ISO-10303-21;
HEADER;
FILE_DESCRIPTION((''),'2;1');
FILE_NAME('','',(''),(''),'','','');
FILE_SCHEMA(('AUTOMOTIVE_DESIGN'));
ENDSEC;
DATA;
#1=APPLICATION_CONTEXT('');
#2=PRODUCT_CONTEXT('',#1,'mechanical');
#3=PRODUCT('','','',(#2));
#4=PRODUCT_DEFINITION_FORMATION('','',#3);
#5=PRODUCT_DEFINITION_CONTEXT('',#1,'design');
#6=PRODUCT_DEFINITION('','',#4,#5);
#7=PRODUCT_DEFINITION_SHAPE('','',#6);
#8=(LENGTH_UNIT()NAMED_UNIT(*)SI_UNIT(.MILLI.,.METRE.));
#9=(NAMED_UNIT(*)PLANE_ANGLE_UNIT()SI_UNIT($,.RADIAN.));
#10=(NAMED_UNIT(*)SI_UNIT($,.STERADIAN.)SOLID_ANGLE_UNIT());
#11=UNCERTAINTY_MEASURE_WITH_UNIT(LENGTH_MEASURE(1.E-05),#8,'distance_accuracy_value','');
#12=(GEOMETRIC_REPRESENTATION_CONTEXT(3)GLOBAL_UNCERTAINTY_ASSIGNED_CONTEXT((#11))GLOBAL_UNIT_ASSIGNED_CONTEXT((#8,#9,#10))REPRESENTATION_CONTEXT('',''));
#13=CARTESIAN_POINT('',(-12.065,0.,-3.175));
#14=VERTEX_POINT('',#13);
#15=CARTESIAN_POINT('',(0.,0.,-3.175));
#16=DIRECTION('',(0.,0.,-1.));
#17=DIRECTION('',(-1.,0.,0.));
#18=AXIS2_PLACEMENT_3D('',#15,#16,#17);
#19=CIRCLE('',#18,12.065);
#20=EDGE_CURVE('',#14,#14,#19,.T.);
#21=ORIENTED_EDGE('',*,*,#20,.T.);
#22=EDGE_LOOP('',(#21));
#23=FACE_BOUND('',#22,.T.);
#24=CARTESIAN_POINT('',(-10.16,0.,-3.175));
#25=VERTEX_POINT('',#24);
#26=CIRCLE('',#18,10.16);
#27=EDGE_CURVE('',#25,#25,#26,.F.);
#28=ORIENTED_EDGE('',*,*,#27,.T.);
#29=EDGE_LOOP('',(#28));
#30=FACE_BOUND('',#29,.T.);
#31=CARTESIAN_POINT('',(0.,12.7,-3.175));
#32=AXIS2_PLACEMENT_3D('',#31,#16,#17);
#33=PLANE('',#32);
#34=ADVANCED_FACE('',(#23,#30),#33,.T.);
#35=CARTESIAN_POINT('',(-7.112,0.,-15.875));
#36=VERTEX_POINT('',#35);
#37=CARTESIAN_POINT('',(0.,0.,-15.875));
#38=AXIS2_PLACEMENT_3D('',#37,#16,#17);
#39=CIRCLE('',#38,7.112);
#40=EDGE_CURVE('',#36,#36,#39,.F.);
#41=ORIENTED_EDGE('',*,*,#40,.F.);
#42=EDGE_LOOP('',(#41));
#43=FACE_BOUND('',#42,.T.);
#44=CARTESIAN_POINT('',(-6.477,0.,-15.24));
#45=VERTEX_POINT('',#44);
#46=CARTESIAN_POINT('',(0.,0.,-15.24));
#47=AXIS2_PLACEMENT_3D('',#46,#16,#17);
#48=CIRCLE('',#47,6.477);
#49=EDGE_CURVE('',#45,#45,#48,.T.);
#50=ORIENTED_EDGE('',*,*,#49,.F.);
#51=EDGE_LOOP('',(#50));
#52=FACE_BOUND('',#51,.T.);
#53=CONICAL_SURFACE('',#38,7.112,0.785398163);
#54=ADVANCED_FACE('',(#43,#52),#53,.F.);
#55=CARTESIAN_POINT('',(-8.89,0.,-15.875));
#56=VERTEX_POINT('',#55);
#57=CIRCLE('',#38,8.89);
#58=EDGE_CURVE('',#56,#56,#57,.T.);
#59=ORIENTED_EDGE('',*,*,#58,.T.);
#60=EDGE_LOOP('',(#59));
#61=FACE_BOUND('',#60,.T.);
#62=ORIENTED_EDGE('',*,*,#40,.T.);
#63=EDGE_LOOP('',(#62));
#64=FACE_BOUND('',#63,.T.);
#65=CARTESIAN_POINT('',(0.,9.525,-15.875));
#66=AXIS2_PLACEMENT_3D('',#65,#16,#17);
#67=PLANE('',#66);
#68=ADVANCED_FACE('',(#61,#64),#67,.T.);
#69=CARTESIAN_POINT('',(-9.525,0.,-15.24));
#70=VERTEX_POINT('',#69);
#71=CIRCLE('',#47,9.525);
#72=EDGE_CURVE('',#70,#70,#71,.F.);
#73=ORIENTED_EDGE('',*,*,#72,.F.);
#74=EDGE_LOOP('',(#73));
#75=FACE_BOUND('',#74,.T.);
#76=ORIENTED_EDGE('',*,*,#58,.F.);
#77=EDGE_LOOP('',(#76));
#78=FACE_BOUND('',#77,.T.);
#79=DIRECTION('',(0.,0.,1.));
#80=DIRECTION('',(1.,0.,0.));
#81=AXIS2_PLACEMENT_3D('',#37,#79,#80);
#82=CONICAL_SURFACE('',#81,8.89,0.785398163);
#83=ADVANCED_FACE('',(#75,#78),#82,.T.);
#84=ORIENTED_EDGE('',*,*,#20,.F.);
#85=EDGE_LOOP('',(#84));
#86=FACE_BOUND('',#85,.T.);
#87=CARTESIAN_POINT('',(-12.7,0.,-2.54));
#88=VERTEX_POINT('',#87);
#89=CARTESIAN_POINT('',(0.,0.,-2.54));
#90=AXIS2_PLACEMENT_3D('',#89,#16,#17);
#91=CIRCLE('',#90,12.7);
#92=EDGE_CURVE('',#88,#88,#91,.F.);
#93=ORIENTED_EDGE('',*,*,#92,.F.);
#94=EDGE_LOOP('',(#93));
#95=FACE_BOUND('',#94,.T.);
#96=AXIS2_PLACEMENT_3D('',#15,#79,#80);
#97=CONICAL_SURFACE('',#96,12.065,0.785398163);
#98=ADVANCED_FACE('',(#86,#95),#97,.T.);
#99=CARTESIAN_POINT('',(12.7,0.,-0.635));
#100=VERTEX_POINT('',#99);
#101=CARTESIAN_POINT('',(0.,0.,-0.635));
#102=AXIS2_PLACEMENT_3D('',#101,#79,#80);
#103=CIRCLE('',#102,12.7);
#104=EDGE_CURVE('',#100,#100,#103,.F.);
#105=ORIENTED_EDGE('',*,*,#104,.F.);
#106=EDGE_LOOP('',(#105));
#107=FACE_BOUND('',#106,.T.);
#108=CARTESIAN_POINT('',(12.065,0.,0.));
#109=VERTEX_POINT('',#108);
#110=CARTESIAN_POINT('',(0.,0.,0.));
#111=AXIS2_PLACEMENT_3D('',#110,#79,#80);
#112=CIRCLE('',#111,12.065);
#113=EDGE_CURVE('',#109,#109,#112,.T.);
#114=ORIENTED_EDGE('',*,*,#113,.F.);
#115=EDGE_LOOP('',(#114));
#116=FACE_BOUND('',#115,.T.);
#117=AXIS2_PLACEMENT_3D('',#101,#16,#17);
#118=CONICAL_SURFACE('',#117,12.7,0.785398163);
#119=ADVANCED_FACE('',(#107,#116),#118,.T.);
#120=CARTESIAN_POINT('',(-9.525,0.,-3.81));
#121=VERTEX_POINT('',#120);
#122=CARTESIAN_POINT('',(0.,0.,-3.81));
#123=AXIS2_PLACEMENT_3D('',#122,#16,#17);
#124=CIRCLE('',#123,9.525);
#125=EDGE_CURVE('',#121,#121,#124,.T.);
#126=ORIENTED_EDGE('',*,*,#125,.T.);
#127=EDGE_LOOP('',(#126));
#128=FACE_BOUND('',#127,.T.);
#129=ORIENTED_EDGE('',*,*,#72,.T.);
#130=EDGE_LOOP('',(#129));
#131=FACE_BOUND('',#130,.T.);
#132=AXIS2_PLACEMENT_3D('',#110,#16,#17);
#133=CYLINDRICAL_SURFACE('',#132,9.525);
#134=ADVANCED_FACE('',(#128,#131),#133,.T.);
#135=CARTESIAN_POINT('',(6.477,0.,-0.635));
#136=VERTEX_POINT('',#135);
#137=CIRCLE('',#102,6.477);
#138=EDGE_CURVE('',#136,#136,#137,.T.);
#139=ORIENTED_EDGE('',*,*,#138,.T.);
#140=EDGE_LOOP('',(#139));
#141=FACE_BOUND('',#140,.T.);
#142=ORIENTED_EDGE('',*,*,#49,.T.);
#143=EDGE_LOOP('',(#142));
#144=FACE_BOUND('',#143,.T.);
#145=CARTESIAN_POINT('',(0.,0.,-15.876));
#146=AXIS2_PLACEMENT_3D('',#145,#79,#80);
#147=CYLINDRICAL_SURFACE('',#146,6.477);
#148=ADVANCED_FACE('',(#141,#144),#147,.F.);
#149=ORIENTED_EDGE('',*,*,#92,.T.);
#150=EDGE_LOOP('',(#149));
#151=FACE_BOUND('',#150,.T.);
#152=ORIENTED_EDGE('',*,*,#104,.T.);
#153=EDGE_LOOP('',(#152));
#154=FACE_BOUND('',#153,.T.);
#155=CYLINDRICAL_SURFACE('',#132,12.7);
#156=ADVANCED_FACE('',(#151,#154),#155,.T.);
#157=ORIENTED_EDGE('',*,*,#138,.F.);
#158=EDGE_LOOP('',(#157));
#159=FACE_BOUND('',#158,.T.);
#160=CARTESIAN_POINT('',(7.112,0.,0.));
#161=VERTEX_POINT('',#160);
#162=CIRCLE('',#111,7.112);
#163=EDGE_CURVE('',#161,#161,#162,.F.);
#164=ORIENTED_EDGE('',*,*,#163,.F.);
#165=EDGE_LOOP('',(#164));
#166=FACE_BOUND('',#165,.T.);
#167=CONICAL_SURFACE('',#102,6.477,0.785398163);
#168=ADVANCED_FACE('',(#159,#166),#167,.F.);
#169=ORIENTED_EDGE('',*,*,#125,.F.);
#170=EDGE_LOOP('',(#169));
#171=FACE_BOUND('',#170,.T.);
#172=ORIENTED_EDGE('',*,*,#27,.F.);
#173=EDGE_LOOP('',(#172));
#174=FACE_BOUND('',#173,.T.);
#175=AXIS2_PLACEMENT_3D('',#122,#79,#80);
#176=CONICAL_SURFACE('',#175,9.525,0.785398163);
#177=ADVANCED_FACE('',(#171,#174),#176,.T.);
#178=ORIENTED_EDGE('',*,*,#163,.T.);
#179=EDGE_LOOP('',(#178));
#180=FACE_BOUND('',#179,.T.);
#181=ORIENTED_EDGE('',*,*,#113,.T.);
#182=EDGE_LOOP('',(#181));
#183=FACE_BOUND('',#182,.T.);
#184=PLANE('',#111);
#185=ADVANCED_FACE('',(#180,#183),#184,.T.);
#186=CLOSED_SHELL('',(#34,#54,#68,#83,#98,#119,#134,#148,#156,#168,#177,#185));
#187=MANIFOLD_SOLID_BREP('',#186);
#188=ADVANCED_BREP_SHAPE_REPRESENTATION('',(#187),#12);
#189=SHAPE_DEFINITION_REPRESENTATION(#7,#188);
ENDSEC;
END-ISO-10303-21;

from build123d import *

# Parameters (mm, degrees)
CUT_EXTRUDE1_REACH = 25.971
SKETCH16_R         = 6.477
CHAMFER1_SIZE      = 0.635


with BuildPart() as part:
    # Sketch1 → Revolve1 (revolve)
    with BuildSketch(Plane(origin=(0, 0, 0), x_dir=(0, 0, -1), z_dir=(1, 0, 0))):
        Polygon((0, 0), (0, 12.7), (3.175, 12.7), (3.175, 9.525), (15.875, 9.525), (15.875, 0), align=None)
    revolve(axis=Axis((0, 0, 0), (0, 0, 1)))

    # Sketch16 → Cut-Extrude1 (cut, up to next)
    with BuildSketch(Plane.XY, mode=Mode.PRIVATE) as cut_extrude1_sk1:
        Circle(SKETCH16_R)
    cut_extrude1_tool1 = extrude(cut_extrude1_sk1.sketch, amount=-CUT_EXTRUDE1_REACH, mode=Mode.PRIVATE) & part.part
    add(cut_extrude1_tool1.solids().sort_by_distance((0, 0, 0))[0], mode=Mode.SUBTRACT)

    # Chamfer1
    chamfer1_edges = [part.edges().sort_by_distance(p)[0] for p in [
        (0, -9.525, -3.175),
        (0, -12.7, -3.175),
        (-6.477, 0, -15.875),
        (-6.477, 0, 0),
        (0, -9.525, -15.875),
        (0, -12.7, 0),
    ]]
    chamfer(chamfer1_edges, length=CHAMFER1_SIZE)


solid = part.part
